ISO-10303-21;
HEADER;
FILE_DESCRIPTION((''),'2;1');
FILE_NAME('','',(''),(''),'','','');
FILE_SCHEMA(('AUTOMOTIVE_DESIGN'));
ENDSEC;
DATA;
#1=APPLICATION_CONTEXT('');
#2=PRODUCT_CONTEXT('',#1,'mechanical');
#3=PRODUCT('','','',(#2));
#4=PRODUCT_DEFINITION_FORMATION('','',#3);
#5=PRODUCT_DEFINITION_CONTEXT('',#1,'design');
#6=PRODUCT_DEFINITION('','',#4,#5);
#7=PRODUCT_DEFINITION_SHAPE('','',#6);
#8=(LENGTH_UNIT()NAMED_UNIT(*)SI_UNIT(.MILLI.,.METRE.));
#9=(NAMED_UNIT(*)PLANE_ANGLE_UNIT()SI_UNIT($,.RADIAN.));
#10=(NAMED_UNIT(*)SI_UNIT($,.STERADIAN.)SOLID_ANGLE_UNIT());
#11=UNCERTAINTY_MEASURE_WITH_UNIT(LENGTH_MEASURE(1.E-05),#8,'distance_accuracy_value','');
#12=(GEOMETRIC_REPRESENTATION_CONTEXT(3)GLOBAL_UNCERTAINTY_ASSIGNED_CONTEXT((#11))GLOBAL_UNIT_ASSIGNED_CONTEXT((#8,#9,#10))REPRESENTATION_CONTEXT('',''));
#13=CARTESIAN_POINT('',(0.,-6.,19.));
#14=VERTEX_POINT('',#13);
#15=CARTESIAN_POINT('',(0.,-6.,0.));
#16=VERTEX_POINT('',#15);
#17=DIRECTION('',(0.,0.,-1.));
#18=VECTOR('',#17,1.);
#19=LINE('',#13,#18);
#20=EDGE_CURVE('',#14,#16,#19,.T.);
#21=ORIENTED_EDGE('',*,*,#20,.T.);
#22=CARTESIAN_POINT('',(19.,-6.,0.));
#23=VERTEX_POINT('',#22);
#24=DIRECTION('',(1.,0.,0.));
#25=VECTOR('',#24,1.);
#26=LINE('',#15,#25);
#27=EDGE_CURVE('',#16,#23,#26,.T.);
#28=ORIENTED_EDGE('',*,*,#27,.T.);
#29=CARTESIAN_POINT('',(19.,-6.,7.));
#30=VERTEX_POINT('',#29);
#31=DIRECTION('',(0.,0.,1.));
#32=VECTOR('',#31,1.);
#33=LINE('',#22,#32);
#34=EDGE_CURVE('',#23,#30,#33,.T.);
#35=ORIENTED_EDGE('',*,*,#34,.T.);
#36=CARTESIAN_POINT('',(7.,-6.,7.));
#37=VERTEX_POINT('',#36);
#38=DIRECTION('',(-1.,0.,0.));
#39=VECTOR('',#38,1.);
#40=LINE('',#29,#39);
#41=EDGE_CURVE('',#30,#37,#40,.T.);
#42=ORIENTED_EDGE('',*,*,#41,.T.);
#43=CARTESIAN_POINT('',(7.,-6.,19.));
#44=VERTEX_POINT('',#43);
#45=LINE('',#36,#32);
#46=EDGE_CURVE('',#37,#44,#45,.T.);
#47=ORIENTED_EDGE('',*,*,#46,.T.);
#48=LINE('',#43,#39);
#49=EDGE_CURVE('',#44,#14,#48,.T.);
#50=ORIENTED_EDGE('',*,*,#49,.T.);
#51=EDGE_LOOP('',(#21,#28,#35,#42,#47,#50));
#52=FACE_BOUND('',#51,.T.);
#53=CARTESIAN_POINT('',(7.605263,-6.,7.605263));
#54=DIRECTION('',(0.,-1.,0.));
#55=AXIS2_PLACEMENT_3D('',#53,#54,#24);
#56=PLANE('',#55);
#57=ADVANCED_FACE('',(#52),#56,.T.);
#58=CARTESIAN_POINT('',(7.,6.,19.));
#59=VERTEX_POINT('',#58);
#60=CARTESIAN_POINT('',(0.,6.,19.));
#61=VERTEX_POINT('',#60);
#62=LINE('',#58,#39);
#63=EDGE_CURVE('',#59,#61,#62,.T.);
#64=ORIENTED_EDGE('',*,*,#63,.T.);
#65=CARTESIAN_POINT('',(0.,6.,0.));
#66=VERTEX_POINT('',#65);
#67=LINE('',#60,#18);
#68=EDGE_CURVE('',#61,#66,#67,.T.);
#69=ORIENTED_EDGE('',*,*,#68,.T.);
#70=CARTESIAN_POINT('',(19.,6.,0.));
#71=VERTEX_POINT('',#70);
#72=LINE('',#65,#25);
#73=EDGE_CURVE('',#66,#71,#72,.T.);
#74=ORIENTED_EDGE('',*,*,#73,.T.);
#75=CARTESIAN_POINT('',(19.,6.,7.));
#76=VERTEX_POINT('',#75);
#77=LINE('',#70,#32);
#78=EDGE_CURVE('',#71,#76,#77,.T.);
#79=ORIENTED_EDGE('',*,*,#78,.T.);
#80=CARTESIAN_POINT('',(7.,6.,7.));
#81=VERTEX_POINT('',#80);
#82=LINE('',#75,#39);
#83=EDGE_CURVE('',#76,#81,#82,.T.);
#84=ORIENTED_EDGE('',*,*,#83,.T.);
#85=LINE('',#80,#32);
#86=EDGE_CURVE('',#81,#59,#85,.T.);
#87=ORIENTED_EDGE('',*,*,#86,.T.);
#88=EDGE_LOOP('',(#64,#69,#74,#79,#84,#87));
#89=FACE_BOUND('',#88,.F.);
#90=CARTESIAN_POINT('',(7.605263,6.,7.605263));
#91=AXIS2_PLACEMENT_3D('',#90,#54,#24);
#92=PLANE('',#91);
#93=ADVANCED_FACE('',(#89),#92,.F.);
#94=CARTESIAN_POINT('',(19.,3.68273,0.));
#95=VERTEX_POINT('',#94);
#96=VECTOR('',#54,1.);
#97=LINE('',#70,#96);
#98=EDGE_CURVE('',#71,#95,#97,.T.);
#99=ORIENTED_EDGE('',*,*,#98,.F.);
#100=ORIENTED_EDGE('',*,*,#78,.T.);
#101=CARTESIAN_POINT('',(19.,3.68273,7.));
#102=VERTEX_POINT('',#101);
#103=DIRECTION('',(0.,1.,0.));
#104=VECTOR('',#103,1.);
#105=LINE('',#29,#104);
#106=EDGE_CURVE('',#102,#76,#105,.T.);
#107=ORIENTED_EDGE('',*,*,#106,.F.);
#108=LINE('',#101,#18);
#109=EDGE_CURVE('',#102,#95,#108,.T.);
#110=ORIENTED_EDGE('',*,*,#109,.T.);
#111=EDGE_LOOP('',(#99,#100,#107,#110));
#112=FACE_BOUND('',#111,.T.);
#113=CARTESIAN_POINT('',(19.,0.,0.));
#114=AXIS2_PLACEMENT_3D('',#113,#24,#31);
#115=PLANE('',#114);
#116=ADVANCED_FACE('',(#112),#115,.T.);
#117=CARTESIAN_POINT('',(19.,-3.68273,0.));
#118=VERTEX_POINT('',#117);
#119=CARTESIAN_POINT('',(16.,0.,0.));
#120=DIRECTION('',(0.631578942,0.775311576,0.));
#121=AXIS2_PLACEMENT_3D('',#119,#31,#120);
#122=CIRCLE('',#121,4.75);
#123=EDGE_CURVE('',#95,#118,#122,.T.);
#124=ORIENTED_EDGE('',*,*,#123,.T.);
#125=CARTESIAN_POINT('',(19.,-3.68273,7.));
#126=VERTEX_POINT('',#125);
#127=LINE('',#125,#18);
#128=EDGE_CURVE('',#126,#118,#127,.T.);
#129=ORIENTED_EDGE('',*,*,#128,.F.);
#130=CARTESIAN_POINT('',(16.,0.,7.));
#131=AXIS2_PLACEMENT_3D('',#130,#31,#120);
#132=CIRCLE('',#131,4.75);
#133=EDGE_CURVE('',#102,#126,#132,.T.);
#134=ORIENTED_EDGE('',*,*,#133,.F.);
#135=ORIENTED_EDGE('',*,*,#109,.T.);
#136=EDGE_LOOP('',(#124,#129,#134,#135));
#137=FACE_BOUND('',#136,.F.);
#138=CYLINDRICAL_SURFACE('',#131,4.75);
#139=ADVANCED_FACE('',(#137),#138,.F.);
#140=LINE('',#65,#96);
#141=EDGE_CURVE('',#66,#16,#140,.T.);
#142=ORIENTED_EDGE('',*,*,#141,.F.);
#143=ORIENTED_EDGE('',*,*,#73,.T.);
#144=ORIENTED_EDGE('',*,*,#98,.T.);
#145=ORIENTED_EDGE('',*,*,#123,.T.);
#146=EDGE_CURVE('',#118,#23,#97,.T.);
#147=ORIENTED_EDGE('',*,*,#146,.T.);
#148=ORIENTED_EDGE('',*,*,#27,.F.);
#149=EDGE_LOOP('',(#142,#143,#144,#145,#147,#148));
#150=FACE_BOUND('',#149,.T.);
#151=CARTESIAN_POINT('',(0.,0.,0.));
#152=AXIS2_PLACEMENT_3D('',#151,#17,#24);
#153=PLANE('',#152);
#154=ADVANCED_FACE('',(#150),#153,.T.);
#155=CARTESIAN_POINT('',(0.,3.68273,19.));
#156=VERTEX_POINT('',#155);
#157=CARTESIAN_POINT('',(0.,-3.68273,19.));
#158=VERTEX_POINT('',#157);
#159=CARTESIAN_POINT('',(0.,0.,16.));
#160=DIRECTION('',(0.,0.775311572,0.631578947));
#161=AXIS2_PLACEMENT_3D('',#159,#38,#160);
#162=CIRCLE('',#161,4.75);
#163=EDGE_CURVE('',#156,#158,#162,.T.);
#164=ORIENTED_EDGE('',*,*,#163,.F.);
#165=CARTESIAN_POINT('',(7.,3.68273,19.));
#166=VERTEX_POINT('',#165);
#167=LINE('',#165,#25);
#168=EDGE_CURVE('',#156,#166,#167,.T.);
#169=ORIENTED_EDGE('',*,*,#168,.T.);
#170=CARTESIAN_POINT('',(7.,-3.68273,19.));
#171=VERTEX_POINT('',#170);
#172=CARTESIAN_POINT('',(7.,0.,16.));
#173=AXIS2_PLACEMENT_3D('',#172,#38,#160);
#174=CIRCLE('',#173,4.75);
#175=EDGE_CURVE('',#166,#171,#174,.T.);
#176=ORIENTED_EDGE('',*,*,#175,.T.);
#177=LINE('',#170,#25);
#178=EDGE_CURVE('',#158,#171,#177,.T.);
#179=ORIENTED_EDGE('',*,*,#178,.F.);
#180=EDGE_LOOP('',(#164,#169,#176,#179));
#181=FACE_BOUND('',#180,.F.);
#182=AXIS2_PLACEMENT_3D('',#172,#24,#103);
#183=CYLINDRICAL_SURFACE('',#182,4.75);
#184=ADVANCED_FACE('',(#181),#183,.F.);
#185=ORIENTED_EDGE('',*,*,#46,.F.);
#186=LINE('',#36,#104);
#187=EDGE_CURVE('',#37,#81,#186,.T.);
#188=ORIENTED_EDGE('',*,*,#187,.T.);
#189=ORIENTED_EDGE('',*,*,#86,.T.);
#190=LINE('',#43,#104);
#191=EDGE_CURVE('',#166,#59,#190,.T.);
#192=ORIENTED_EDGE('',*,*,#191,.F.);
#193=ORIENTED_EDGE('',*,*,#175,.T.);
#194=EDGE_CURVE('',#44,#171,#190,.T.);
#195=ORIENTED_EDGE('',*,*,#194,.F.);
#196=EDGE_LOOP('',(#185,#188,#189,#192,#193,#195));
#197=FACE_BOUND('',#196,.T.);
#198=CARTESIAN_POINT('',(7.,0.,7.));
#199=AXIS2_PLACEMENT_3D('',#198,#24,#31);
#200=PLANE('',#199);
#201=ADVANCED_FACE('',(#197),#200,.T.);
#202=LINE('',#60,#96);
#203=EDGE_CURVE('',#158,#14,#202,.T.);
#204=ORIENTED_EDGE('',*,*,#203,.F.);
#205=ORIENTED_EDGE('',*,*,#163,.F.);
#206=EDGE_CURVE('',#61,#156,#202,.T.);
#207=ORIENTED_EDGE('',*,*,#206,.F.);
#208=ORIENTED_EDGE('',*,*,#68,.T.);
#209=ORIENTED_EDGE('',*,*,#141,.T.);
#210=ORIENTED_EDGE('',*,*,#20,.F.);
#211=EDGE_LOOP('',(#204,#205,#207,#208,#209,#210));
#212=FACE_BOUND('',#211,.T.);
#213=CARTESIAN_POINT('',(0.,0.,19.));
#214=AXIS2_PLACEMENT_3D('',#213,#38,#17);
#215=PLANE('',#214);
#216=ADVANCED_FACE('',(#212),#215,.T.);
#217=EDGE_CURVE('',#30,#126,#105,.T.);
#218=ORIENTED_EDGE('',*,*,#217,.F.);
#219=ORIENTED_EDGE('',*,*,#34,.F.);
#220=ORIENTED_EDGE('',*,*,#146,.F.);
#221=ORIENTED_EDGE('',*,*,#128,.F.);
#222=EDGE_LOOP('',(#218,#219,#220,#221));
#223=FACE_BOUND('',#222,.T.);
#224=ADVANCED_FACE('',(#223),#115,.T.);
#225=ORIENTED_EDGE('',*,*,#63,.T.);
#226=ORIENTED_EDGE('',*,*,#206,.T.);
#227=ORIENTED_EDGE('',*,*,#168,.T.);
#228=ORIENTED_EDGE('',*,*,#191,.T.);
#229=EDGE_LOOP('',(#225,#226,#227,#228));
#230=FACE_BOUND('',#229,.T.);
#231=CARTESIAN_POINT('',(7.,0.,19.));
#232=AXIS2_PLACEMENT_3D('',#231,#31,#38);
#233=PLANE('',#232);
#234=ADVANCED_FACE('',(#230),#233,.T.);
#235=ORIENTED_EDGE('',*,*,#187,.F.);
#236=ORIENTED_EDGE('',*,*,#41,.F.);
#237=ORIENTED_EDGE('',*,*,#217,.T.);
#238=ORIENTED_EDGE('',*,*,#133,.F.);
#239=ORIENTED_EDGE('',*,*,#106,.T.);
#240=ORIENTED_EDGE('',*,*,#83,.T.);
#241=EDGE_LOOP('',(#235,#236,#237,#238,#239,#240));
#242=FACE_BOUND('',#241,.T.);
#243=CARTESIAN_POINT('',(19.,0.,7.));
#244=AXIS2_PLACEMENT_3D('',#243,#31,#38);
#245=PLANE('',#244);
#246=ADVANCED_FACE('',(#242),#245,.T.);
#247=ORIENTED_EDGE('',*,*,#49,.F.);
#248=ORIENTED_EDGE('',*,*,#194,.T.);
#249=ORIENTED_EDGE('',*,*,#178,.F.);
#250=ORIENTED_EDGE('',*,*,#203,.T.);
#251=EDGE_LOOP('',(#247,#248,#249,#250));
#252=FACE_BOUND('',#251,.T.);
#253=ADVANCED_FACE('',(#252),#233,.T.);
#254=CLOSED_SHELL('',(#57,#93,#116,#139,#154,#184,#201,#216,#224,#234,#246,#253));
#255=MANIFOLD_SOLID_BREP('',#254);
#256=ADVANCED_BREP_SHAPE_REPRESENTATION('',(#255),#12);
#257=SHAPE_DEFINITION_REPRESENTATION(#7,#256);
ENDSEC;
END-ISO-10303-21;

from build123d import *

# Parameters (mm, degrees)
F1_DEPTH = 6
F3_DEPTH = 7.001
F4_R     = 4.75
F5_DEPTH = 25


with BuildPart() as f1:
    # F0 (on Front) → F1 (new body, symmetric)
    with BuildSketch(Plane.XZ):
        Polygon((7, 19), (0, 19), (0, 0), (19, 0), (19, 7), (7, 7), align=None)
    extrude(amount=F1_DEPTH, both=True)

    # F2 (on face) → F3 (cut, through all)
    with BuildSketch(Plane.XY.offset(7)):
        with BuildLine():
            ThreePointArc((19, -3.68273), (20.290251, -2.038688), (20.75, 0))
            ThreePointArc((20.75, 0), (20.290251, 2.038688), (19, 3.68273))
            Line((19, 3.68273), (19, -3.68273))
        make_face()
        with BuildLine():
            Line((19, -3.68273), (19, 3.68273))
            ThreePointArc((19, 3.68273), (11.25, 0), (19, -3.68273))
        make_face()
    extrude(amount=-F3_DEPTH, mode=Mode.SUBTRACT)

    # F4 (on face) → F5 (cut)
    with BuildSketch(Plane.YZ.offset(7)):
        with Locations((0, 16)):
            Circle(F4_R)
    extrude(amount=-F5_DEPTH, mode=Mode.SUBTRACT)


solid = f1.part
